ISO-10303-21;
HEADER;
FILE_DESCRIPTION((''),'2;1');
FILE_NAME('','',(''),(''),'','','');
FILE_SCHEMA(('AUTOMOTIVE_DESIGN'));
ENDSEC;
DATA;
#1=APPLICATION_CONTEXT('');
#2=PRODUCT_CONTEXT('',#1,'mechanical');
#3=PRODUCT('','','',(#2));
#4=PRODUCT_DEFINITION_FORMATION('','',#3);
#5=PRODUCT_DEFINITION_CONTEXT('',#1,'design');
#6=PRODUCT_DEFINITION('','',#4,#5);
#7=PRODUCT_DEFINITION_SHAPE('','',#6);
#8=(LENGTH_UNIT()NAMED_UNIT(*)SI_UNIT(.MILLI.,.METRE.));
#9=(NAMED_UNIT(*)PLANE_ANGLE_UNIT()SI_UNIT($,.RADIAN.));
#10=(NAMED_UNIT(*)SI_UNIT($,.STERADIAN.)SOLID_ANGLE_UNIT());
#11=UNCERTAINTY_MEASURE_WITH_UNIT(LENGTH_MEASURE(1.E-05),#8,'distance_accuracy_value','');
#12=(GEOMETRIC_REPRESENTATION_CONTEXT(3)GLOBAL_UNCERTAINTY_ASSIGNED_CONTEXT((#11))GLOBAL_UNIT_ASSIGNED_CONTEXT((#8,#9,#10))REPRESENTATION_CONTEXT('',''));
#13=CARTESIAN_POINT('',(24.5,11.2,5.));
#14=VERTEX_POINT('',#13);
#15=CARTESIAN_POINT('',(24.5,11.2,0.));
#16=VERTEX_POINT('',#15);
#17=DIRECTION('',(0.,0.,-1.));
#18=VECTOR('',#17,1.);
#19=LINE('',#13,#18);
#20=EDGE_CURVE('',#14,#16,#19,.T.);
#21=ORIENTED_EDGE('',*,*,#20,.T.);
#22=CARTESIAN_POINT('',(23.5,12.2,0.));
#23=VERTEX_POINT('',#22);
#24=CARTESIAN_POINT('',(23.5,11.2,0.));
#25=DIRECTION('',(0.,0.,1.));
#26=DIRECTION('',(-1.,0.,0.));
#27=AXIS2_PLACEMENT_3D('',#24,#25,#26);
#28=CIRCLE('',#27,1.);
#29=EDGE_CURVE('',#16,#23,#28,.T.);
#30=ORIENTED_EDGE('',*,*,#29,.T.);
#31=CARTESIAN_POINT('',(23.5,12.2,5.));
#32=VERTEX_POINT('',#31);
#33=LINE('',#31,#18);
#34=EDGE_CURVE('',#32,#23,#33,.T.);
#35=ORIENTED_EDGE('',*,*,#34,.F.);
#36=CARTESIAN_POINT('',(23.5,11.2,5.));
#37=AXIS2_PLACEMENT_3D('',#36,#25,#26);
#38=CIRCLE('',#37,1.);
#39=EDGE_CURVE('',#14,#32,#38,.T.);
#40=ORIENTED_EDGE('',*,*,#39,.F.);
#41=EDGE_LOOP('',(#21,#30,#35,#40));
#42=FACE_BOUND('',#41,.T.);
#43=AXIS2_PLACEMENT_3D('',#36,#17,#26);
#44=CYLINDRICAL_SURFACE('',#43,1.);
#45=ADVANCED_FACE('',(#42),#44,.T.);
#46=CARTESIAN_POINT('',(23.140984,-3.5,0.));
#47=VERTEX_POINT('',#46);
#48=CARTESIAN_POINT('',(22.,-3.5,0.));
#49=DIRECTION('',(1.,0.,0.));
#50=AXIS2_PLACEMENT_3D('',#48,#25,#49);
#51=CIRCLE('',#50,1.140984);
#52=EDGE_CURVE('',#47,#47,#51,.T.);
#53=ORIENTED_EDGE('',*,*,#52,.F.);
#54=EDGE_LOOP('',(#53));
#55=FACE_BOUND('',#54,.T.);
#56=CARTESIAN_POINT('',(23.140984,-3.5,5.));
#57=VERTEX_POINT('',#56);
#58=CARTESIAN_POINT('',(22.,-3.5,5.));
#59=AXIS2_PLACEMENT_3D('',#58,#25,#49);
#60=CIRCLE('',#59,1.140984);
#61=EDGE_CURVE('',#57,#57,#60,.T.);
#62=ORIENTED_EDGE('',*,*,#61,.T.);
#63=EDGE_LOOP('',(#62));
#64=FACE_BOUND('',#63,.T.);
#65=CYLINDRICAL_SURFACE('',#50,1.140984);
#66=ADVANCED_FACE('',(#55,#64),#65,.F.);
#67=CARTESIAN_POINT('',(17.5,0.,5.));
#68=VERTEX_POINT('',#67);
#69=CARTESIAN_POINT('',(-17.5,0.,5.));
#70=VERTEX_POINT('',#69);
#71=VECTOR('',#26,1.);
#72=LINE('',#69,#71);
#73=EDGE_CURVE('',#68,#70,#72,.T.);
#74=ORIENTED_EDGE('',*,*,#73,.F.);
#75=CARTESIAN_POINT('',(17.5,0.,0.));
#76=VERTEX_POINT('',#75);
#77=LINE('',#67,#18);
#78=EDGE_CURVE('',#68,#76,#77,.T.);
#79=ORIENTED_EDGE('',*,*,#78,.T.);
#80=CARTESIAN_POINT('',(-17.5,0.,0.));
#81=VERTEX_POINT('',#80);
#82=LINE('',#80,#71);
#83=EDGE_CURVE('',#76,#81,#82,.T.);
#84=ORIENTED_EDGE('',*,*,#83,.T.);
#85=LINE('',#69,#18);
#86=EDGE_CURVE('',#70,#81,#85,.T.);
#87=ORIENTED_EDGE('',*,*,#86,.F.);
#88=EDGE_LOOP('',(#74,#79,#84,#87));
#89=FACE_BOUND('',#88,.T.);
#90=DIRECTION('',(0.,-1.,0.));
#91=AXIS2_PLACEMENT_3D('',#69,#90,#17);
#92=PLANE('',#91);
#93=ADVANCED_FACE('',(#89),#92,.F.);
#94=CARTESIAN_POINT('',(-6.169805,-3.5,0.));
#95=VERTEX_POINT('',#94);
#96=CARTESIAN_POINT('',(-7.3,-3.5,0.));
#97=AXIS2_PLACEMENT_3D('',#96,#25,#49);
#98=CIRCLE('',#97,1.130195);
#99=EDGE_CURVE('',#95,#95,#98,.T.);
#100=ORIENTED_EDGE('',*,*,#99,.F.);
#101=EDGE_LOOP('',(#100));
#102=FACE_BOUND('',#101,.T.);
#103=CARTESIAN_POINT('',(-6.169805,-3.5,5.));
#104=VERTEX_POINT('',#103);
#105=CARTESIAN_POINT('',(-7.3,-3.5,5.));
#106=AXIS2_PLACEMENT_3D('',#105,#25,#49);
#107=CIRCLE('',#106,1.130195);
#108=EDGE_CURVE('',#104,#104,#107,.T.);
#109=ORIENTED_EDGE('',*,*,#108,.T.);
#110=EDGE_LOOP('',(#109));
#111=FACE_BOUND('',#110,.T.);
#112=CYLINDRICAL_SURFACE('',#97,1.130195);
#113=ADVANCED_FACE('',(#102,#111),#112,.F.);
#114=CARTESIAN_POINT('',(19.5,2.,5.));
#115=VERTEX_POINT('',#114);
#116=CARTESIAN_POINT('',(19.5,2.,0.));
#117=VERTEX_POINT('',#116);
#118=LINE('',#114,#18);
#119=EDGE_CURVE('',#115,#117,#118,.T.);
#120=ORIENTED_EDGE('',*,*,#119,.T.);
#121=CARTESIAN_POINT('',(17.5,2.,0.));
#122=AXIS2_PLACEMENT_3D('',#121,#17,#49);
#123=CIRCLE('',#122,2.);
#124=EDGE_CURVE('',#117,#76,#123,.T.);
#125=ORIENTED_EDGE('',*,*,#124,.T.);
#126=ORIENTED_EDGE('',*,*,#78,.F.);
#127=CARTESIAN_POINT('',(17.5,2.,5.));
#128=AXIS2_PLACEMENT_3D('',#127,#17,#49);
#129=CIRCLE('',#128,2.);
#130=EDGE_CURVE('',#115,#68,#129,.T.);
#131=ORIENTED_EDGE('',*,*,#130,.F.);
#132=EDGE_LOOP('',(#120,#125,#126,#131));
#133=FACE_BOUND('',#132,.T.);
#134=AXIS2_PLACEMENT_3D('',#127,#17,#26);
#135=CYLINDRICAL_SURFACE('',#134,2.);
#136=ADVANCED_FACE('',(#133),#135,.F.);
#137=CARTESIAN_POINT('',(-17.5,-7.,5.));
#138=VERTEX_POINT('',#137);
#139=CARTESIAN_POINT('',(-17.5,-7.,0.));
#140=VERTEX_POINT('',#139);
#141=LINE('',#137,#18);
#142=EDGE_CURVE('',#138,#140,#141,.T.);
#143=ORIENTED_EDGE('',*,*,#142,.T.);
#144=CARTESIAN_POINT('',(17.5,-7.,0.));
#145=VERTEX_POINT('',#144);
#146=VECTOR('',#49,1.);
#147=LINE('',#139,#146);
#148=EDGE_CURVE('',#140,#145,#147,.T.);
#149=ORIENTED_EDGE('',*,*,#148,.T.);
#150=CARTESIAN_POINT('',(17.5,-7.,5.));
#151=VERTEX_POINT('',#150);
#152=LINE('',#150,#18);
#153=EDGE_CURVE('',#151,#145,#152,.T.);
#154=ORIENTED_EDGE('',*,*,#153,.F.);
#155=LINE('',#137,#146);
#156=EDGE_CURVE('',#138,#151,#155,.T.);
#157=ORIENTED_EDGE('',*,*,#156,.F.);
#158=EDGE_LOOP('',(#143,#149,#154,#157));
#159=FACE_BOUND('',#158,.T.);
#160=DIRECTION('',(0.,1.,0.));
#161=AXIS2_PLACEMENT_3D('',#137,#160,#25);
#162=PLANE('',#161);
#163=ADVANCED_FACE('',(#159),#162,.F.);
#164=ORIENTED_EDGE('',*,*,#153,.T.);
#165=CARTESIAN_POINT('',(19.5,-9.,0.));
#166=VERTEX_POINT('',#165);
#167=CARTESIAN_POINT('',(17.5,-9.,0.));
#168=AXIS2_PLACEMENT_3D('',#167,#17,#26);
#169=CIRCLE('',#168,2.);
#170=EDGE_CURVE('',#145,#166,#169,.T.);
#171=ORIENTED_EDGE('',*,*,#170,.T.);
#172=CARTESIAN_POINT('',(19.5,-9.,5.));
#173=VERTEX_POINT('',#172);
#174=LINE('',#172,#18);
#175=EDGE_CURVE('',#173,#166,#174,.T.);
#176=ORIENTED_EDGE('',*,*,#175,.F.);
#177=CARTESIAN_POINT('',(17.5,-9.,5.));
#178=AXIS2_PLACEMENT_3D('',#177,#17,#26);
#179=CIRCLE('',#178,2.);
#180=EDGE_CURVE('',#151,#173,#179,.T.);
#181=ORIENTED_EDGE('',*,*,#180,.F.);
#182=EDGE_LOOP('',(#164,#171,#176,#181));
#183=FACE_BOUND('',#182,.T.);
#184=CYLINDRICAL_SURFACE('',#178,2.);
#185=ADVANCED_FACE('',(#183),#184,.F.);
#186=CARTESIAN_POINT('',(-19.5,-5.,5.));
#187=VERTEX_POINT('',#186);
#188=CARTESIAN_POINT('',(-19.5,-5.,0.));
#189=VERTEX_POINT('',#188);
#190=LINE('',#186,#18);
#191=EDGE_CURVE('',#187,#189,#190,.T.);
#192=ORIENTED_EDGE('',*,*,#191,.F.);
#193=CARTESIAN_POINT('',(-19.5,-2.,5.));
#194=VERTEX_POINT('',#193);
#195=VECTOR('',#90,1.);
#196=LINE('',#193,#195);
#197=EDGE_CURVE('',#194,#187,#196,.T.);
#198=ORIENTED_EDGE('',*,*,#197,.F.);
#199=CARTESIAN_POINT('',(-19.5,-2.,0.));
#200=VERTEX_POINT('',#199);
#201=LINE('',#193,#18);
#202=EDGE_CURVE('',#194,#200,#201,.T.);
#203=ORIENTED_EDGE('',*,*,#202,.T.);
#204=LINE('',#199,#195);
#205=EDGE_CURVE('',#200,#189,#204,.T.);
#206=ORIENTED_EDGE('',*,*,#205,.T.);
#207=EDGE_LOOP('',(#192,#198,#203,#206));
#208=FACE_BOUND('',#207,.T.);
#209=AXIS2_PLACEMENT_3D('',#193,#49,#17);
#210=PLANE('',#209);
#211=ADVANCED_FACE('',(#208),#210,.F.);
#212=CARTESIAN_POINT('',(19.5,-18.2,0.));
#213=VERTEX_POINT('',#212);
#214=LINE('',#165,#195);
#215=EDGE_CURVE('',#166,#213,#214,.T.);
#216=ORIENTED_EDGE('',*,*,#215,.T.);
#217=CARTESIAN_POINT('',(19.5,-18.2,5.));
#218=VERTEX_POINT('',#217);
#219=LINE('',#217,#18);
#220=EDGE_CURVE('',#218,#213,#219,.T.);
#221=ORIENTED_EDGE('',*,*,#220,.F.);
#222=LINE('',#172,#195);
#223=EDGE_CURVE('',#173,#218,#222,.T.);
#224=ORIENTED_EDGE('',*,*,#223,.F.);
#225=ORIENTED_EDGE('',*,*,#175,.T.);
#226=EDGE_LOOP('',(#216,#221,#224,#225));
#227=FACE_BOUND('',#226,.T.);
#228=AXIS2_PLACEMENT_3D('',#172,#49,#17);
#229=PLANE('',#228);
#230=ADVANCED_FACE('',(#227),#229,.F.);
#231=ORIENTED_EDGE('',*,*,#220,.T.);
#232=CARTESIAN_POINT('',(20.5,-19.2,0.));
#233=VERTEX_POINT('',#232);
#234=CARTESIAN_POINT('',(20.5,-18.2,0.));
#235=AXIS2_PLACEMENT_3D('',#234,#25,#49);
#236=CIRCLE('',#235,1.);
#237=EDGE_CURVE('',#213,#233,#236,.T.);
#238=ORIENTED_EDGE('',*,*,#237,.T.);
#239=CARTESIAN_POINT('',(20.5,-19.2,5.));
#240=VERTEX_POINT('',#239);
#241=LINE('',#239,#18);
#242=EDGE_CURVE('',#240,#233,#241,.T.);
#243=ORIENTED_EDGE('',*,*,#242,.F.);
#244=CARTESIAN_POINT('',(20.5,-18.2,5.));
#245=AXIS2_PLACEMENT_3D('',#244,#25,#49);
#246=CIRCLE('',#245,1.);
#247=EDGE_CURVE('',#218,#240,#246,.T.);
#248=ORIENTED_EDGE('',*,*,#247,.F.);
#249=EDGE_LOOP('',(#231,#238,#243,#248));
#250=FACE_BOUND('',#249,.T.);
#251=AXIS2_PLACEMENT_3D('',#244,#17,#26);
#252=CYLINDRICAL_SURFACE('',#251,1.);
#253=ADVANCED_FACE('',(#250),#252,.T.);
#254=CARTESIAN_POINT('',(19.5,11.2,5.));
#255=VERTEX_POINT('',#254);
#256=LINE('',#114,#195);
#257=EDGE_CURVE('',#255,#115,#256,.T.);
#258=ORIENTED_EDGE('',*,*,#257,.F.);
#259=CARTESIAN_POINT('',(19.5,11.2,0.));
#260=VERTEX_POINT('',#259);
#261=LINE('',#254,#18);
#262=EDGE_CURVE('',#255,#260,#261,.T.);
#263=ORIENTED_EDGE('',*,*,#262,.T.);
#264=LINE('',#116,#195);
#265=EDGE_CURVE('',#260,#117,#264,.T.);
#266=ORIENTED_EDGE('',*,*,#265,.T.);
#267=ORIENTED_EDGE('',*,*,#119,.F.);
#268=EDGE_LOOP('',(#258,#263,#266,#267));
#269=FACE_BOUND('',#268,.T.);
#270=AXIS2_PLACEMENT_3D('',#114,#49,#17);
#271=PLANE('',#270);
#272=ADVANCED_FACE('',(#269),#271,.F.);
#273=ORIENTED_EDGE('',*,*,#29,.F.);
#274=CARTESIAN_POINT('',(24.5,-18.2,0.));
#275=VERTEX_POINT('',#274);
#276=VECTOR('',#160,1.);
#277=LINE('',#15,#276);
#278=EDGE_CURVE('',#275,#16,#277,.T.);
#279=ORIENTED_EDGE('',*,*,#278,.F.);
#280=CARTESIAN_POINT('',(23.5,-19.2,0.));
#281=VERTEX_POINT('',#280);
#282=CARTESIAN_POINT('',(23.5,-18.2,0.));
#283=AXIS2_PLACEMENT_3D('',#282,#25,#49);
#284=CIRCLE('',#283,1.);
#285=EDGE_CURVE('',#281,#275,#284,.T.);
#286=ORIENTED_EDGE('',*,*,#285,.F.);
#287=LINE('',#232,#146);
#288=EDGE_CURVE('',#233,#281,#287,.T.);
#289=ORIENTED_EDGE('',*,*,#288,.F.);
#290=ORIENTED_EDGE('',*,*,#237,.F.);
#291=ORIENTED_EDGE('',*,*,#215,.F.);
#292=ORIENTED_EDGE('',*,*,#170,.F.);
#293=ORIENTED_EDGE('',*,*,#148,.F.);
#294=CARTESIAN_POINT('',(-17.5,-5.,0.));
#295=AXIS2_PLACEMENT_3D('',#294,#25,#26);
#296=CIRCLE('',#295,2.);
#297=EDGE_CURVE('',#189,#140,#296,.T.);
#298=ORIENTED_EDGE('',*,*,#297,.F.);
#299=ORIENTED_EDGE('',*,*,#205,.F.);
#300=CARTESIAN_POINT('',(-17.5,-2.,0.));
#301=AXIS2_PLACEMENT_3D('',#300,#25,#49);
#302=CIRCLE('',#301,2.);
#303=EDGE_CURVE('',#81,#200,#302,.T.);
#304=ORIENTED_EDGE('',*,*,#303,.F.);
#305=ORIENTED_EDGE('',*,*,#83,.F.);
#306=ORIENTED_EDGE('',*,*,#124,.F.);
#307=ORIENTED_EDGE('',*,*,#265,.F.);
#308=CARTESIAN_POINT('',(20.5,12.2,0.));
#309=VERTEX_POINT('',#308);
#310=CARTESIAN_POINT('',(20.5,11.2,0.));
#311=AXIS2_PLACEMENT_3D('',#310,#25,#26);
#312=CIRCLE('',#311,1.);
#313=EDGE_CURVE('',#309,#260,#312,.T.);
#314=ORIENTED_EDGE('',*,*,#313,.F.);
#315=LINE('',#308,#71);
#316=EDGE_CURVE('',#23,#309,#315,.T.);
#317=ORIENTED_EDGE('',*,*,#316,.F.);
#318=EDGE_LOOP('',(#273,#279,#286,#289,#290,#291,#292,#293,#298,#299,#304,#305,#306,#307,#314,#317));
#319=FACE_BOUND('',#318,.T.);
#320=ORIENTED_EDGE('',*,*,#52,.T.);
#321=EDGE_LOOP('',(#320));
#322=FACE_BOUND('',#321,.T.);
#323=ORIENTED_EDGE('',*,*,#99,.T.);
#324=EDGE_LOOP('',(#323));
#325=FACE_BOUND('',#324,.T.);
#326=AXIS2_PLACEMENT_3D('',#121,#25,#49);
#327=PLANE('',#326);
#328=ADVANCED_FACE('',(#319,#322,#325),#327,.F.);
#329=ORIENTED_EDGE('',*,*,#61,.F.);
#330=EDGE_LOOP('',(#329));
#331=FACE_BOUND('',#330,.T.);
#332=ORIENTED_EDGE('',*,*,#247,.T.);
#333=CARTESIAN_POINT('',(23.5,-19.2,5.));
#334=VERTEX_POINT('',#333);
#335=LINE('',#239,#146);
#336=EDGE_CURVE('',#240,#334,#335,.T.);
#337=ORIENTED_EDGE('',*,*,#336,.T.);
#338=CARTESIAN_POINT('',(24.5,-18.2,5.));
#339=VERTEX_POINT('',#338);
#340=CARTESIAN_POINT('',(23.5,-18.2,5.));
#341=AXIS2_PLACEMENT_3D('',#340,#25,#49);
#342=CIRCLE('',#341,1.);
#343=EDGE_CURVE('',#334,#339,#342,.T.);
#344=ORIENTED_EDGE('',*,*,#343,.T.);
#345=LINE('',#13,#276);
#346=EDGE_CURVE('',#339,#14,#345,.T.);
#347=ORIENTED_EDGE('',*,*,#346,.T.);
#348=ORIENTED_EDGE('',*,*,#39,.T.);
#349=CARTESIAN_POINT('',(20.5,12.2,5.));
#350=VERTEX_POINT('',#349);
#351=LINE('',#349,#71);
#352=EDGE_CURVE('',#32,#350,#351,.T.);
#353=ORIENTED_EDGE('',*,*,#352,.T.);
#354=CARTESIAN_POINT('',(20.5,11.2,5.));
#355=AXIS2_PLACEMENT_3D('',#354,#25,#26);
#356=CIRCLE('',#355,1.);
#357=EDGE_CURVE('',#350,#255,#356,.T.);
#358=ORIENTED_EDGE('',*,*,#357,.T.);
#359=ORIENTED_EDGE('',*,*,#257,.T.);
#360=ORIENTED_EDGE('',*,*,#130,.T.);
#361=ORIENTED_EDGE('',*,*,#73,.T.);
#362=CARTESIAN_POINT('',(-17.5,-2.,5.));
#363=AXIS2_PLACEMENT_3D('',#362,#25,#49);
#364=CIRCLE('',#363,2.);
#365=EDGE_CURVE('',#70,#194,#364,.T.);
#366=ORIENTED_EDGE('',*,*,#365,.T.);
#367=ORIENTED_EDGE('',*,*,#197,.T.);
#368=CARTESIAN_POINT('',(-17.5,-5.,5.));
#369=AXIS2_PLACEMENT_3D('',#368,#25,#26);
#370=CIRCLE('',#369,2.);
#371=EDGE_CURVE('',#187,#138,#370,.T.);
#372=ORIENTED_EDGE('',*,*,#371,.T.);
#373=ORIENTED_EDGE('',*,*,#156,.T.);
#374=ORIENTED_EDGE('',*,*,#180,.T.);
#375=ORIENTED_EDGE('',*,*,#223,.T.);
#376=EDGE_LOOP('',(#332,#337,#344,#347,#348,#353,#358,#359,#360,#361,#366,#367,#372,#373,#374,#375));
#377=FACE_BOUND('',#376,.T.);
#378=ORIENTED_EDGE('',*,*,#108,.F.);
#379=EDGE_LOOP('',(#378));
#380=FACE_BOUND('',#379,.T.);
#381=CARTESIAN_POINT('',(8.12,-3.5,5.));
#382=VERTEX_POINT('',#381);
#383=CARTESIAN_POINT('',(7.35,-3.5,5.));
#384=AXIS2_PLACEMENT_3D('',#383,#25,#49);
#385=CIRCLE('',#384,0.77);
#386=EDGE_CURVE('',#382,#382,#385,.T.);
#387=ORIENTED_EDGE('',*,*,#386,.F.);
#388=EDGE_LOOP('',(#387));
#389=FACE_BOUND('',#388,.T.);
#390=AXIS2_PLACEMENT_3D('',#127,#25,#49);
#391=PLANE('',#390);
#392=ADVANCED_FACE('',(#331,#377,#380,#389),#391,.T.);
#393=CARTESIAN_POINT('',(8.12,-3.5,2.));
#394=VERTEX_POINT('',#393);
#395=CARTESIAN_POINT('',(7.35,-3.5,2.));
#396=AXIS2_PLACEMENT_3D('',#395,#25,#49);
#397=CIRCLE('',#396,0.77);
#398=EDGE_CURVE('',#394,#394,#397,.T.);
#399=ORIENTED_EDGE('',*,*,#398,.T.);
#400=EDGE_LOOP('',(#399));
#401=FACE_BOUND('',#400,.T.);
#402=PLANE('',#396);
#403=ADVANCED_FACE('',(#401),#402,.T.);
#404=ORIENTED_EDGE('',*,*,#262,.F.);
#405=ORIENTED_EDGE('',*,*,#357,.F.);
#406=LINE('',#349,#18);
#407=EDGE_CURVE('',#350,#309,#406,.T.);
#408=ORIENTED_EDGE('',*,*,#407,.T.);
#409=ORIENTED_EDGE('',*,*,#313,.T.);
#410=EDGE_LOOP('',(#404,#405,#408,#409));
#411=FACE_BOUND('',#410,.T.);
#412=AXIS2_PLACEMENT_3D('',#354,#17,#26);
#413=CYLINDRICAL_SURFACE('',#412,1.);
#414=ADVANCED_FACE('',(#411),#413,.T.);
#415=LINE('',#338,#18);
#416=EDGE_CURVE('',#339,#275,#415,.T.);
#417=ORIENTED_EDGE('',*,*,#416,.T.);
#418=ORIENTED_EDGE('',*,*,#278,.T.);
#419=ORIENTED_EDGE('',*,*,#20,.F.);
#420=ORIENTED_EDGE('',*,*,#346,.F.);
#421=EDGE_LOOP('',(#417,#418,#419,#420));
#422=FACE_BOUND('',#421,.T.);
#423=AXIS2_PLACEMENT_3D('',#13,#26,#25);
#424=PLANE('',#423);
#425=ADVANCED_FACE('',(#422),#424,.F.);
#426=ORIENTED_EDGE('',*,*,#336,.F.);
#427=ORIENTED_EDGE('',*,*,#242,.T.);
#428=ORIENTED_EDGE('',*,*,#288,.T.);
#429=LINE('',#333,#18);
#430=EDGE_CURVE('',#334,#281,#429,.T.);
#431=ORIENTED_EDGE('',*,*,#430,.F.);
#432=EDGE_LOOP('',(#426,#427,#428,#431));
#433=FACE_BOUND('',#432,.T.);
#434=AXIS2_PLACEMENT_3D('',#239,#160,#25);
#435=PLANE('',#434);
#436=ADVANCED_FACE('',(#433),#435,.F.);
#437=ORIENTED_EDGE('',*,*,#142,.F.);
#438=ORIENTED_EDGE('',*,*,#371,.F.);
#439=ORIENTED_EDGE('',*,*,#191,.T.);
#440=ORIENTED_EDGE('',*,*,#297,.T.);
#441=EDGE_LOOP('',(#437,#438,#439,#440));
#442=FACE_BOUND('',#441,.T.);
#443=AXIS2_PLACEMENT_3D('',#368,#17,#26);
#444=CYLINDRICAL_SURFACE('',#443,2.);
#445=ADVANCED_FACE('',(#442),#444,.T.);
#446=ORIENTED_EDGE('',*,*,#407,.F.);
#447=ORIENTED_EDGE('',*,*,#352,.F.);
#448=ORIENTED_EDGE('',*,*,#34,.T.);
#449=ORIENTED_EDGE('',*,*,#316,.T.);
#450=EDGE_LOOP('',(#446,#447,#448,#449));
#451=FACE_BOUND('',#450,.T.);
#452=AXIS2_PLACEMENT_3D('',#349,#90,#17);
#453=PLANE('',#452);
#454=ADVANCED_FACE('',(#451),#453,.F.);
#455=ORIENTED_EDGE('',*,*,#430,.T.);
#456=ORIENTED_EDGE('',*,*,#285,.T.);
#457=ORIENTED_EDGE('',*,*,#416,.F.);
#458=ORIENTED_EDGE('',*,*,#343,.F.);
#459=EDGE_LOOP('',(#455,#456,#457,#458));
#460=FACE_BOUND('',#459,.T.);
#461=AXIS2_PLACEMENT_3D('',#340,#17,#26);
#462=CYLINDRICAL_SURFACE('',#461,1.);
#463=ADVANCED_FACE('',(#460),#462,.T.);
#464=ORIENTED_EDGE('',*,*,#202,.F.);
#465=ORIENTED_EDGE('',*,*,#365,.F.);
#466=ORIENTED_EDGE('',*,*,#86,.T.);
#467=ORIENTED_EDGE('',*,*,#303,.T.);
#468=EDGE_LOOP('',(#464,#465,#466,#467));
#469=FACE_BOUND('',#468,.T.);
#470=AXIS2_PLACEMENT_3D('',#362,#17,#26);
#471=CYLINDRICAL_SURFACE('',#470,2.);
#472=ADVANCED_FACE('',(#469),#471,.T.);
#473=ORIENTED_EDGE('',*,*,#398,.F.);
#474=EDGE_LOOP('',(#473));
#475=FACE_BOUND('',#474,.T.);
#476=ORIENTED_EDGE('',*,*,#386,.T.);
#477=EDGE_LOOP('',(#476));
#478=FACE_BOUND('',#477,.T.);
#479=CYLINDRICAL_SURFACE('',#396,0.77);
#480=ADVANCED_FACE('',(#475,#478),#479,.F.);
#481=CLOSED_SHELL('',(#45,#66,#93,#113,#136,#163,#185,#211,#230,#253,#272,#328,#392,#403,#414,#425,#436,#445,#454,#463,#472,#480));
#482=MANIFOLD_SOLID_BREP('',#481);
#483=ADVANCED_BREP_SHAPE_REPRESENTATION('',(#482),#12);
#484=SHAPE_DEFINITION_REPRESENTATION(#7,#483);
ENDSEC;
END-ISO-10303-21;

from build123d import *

# Parameters (mm, degrees)
BOSS_EXTRUDE1_DEPTH = 5
SKETCH2_R           = 1.140983763
SKETCH2_R_2         = 1.130194527
CUT_EXTRUDE1_DEPTH  = 32.526020999
SKETCH3_R           = 0.77
CUT_EXTRUDE2_DEPTH  = 3


with BuildPart() as part:
    # Sketch1 → Boss-Extrude1 (new body)
    with BuildSketch(Plane.XY):
        with BuildLine():
            Line((-17.5, 0), (17.5, 0))
            ThreePointArc((17.5, 0), (18.914213562, 0.585786438), (19.5, 2))
            Line((19.5, 2), (19.5, 11.2))
            ThreePointArc((19.5, 11.2), (19.792893219, 11.907106781), (20.5, 12.2))
            Line((20.5, 12.2), (23.5, 12.2))
            ThreePointArc((23.5, 12.2), (24.207106781, 11.907106781), (24.5, 11.2))
            Line((24.5, 11.2), (24.5, -18.2))
            ThreePointArc((24.5, -18.2), (24.207106781, -18.907106781), (23.5, -19.2))
            Line((23.5, -19.2), (20.5, -19.2))
            ThreePointArc((20.5, -19.2), (19.792893219, -18.907106781), (19.5, -18.2))
            Line((19.5, -18.2), (19.5, -9))
            ThreePointArc((19.5, -9), (18.914213562, -7.585786438), (17.5, -7))
            Line((17.5, -7), (-17.5, -7))
            ThreePointArc((-17.5, -7), (-18.914213562, -6.414213562), (-19.5, -5))
            Line((-19.5, -5), (-19.5, -2))
            ThreePointArc((-19.5, -2), (-18.914213562, -0.585786438), (-17.5, 0))
        make_face()
    extrude(amount=BOSS_EXTRUDE1_DEPTH)

    # Sketch2 → Cut-Extrude1 (cut, through all)
    with BuildSketch(Plane.XY.offset(5)):
        with Locations((22, -3.5)):
            Circle(SKETCH2_R)
        with Locations((-7.3, -3.5)):
            Circle(SKETCH2_R_2)
    extrude(amount=-CUT_EXTRUDE1_DEPTH, mode=Mode.SUBTRACT)

    # Sketch3 → Cut-Extrude2 (cut)
    with BuildSketch(Plane.XY.offset(5)):
        with Locations((7.35, -3.5)):
            Circle(SKETCH3_R)
    extrude(amount=-CUT_EXTRUDE2_DEPTH, mode=Mode.SUBTRACT)


solid = part.part
